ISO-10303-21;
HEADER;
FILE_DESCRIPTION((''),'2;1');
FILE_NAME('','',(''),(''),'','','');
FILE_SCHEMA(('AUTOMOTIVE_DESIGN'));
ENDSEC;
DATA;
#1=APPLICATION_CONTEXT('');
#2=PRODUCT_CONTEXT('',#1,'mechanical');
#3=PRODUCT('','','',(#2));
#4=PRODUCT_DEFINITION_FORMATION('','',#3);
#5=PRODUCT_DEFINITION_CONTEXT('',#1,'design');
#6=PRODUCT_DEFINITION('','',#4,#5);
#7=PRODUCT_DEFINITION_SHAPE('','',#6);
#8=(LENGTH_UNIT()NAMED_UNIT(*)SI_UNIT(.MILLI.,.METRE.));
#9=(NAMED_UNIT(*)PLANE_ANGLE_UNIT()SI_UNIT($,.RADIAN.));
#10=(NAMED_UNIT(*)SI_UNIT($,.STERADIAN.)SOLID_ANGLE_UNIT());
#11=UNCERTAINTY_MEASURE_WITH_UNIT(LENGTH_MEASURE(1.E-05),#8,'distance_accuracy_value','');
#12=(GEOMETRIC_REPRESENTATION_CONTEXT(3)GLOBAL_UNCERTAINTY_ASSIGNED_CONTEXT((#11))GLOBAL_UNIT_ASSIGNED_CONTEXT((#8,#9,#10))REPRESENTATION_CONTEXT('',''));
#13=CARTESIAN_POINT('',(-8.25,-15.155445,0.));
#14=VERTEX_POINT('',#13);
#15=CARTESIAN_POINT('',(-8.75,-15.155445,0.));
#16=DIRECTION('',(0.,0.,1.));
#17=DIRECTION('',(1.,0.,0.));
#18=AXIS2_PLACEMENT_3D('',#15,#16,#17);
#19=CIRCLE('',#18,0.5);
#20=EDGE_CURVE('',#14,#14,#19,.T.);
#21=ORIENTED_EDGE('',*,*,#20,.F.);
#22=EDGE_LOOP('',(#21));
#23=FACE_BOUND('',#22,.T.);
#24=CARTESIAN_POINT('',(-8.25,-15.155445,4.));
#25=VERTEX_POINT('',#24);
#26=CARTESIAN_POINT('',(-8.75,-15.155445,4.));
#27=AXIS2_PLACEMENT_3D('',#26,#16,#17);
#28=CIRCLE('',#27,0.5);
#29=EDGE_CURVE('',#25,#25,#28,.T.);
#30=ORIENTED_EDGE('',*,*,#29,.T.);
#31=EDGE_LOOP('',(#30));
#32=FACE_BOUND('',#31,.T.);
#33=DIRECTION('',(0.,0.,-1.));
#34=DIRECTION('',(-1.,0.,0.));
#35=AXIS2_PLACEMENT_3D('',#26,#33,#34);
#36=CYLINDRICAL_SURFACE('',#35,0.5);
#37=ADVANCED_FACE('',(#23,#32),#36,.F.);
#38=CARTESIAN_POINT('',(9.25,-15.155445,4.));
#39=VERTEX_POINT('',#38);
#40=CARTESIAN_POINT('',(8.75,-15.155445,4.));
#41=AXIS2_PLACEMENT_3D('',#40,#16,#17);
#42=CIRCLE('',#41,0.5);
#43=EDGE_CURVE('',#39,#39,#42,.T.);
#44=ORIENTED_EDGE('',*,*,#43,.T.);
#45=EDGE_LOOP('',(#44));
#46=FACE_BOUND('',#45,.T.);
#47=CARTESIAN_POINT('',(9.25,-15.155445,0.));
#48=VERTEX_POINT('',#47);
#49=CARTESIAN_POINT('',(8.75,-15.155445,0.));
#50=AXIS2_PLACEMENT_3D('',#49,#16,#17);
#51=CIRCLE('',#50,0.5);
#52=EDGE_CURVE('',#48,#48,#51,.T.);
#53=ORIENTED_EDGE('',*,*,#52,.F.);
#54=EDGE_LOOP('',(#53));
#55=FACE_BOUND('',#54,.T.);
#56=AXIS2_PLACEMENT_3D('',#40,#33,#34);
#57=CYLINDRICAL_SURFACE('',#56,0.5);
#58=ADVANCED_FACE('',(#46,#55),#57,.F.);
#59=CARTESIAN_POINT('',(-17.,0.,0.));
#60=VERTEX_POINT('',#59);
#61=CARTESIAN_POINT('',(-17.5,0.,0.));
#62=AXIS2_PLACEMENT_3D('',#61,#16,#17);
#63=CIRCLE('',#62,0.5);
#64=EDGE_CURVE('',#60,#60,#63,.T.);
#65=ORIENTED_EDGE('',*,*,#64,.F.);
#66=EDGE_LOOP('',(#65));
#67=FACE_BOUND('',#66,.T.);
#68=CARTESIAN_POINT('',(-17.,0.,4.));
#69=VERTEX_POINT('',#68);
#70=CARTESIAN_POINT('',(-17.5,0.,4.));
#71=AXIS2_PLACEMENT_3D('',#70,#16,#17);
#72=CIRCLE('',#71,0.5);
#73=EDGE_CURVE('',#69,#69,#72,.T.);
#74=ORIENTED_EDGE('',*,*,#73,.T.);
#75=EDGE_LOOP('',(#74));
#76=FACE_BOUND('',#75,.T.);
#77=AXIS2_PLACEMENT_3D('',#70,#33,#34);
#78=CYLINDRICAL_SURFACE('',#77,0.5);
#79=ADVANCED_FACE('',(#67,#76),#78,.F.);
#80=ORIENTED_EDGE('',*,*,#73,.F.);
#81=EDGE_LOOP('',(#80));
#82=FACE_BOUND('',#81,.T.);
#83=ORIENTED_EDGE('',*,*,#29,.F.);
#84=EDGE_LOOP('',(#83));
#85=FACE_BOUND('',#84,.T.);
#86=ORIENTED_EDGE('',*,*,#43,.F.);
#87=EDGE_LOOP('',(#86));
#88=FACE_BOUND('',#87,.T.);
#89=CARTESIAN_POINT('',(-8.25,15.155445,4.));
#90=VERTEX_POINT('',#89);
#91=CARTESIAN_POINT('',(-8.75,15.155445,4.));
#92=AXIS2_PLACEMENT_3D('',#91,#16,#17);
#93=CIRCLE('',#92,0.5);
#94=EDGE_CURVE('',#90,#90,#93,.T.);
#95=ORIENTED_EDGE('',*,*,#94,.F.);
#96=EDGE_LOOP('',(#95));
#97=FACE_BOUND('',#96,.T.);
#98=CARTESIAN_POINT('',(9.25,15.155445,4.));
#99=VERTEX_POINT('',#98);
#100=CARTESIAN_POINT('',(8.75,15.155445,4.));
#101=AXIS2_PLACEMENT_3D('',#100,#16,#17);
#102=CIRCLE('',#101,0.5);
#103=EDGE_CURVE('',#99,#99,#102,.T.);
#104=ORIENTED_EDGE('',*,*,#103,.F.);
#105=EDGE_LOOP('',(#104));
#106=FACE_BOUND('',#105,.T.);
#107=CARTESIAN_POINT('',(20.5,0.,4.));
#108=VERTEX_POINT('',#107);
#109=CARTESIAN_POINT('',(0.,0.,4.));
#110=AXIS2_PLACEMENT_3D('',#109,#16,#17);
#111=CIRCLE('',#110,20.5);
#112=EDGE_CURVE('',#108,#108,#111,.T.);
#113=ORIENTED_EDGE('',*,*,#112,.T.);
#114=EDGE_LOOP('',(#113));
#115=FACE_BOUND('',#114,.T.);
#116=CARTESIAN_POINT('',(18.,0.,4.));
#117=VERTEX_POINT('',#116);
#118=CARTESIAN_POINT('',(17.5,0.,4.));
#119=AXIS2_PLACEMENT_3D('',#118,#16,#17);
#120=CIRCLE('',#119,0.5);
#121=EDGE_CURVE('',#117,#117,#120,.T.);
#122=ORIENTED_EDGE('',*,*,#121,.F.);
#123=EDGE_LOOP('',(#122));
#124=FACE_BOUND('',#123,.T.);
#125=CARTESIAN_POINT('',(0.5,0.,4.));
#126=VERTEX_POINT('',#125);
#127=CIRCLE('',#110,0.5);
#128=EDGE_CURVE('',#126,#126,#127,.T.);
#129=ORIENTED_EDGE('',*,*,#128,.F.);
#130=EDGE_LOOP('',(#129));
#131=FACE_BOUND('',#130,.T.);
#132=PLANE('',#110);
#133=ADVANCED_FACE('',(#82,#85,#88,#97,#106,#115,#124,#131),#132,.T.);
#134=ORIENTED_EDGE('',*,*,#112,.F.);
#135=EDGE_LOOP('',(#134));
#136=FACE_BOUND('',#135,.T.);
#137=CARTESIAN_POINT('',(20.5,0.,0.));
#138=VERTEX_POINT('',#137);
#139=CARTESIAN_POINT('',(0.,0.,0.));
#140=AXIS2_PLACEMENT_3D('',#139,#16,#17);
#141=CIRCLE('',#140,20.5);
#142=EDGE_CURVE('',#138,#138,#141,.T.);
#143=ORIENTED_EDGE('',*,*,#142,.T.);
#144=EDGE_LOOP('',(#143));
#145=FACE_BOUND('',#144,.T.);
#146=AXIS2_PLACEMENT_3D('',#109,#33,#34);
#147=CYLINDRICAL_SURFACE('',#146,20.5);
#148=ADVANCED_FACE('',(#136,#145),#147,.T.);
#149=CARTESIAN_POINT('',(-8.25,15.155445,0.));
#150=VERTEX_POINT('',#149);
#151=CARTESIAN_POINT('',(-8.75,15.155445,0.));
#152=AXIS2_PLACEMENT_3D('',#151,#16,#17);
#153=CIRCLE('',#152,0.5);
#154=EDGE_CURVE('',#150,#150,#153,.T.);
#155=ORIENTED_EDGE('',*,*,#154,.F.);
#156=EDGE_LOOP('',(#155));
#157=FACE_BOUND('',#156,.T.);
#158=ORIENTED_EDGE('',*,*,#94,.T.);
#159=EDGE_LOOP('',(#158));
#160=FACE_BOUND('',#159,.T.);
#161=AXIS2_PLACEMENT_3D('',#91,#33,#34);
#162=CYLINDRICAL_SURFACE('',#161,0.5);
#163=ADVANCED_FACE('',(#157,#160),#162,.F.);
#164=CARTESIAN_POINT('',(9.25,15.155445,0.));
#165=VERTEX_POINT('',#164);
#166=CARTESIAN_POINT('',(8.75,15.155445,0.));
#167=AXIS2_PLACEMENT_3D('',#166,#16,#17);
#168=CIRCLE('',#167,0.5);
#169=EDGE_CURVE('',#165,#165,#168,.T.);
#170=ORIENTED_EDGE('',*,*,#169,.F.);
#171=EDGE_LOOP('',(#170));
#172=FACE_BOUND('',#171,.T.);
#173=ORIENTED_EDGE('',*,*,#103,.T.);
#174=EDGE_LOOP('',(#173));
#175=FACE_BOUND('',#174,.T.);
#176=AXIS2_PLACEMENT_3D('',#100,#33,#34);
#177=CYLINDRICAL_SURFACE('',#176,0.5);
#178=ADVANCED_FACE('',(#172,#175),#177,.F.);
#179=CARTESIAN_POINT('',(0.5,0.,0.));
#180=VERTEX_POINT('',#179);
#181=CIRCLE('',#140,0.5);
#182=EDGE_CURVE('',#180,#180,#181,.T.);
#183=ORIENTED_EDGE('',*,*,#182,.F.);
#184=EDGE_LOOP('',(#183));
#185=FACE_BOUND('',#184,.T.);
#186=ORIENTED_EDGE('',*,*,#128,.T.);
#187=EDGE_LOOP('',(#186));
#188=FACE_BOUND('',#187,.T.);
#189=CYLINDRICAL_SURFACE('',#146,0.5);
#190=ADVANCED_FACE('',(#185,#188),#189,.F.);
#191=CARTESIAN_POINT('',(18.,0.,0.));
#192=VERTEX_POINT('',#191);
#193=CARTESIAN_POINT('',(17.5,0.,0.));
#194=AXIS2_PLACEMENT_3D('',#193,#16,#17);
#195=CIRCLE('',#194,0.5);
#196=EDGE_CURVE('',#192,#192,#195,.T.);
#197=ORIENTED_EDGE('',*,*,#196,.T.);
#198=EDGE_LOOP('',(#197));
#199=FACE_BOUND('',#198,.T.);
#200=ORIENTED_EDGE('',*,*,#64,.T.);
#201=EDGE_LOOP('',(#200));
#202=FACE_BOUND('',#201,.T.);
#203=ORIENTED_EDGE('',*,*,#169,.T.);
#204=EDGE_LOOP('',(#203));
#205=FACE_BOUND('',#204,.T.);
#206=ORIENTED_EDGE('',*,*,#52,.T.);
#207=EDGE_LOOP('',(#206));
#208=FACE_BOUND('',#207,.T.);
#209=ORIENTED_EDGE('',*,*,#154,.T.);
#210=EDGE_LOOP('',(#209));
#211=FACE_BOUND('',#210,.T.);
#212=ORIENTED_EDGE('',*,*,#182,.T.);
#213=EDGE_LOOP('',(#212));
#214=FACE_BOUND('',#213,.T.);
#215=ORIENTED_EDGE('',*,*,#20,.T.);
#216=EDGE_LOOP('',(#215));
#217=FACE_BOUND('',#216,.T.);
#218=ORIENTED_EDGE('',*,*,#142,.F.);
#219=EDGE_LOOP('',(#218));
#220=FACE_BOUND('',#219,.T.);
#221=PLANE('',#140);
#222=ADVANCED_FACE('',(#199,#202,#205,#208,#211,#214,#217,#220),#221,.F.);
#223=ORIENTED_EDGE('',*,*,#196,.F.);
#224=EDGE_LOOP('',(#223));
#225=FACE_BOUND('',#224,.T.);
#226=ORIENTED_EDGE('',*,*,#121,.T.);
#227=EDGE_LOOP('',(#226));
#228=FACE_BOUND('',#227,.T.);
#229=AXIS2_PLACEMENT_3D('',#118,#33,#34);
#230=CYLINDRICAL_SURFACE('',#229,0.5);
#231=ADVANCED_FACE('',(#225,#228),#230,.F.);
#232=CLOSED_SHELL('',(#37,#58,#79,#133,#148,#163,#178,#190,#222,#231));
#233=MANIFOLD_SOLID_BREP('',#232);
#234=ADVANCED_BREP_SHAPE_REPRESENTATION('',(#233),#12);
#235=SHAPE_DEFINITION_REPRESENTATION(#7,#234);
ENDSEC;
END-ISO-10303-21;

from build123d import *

# Parameters (mm, degrees)
MODEL_R             = 20.5
MODEL_R_2           = 0.5
BOSS_EXTRUDE1_DEPTH = 4


with BuildPart() as part:
    # Model → Boss-Extrude1 (new body)
    with BuildSketch(Plane.XY):
        Circle(MODEL_R)
        Circle(MODEL_R_2, mode=Mode.SUBTRACT)
        with Locations((17.5, 0)):
            Circle(MODEL_R_2, mode=Mode.SUBTRACT)
        with Locations((8.75, 15.155444566)):
            Circle(MODEL_R_2, mode=Mode.SUBTRACT)
        with Locations((-8.75, 15.155444566)):
            Circle(MODEL_R_2, mode=Mode.SUBTRACT)
        with Locations((-17.5, 0)):
            Circle(MODEL_R_2, mode=Mode.SUBTRACT)
        with Locations((-8.75, -15.155444566)):
            Circle(MODEL_R_2, mode=Mode.SUBTRACT)
        with Locations((8.75, -15.155444566)):
            Circle(MODEL_R_2, mode=Mode.SUBTRACT)
    extrude(amount=BOSS_EXTRUDE1_DEPTH)


solid = part.part
